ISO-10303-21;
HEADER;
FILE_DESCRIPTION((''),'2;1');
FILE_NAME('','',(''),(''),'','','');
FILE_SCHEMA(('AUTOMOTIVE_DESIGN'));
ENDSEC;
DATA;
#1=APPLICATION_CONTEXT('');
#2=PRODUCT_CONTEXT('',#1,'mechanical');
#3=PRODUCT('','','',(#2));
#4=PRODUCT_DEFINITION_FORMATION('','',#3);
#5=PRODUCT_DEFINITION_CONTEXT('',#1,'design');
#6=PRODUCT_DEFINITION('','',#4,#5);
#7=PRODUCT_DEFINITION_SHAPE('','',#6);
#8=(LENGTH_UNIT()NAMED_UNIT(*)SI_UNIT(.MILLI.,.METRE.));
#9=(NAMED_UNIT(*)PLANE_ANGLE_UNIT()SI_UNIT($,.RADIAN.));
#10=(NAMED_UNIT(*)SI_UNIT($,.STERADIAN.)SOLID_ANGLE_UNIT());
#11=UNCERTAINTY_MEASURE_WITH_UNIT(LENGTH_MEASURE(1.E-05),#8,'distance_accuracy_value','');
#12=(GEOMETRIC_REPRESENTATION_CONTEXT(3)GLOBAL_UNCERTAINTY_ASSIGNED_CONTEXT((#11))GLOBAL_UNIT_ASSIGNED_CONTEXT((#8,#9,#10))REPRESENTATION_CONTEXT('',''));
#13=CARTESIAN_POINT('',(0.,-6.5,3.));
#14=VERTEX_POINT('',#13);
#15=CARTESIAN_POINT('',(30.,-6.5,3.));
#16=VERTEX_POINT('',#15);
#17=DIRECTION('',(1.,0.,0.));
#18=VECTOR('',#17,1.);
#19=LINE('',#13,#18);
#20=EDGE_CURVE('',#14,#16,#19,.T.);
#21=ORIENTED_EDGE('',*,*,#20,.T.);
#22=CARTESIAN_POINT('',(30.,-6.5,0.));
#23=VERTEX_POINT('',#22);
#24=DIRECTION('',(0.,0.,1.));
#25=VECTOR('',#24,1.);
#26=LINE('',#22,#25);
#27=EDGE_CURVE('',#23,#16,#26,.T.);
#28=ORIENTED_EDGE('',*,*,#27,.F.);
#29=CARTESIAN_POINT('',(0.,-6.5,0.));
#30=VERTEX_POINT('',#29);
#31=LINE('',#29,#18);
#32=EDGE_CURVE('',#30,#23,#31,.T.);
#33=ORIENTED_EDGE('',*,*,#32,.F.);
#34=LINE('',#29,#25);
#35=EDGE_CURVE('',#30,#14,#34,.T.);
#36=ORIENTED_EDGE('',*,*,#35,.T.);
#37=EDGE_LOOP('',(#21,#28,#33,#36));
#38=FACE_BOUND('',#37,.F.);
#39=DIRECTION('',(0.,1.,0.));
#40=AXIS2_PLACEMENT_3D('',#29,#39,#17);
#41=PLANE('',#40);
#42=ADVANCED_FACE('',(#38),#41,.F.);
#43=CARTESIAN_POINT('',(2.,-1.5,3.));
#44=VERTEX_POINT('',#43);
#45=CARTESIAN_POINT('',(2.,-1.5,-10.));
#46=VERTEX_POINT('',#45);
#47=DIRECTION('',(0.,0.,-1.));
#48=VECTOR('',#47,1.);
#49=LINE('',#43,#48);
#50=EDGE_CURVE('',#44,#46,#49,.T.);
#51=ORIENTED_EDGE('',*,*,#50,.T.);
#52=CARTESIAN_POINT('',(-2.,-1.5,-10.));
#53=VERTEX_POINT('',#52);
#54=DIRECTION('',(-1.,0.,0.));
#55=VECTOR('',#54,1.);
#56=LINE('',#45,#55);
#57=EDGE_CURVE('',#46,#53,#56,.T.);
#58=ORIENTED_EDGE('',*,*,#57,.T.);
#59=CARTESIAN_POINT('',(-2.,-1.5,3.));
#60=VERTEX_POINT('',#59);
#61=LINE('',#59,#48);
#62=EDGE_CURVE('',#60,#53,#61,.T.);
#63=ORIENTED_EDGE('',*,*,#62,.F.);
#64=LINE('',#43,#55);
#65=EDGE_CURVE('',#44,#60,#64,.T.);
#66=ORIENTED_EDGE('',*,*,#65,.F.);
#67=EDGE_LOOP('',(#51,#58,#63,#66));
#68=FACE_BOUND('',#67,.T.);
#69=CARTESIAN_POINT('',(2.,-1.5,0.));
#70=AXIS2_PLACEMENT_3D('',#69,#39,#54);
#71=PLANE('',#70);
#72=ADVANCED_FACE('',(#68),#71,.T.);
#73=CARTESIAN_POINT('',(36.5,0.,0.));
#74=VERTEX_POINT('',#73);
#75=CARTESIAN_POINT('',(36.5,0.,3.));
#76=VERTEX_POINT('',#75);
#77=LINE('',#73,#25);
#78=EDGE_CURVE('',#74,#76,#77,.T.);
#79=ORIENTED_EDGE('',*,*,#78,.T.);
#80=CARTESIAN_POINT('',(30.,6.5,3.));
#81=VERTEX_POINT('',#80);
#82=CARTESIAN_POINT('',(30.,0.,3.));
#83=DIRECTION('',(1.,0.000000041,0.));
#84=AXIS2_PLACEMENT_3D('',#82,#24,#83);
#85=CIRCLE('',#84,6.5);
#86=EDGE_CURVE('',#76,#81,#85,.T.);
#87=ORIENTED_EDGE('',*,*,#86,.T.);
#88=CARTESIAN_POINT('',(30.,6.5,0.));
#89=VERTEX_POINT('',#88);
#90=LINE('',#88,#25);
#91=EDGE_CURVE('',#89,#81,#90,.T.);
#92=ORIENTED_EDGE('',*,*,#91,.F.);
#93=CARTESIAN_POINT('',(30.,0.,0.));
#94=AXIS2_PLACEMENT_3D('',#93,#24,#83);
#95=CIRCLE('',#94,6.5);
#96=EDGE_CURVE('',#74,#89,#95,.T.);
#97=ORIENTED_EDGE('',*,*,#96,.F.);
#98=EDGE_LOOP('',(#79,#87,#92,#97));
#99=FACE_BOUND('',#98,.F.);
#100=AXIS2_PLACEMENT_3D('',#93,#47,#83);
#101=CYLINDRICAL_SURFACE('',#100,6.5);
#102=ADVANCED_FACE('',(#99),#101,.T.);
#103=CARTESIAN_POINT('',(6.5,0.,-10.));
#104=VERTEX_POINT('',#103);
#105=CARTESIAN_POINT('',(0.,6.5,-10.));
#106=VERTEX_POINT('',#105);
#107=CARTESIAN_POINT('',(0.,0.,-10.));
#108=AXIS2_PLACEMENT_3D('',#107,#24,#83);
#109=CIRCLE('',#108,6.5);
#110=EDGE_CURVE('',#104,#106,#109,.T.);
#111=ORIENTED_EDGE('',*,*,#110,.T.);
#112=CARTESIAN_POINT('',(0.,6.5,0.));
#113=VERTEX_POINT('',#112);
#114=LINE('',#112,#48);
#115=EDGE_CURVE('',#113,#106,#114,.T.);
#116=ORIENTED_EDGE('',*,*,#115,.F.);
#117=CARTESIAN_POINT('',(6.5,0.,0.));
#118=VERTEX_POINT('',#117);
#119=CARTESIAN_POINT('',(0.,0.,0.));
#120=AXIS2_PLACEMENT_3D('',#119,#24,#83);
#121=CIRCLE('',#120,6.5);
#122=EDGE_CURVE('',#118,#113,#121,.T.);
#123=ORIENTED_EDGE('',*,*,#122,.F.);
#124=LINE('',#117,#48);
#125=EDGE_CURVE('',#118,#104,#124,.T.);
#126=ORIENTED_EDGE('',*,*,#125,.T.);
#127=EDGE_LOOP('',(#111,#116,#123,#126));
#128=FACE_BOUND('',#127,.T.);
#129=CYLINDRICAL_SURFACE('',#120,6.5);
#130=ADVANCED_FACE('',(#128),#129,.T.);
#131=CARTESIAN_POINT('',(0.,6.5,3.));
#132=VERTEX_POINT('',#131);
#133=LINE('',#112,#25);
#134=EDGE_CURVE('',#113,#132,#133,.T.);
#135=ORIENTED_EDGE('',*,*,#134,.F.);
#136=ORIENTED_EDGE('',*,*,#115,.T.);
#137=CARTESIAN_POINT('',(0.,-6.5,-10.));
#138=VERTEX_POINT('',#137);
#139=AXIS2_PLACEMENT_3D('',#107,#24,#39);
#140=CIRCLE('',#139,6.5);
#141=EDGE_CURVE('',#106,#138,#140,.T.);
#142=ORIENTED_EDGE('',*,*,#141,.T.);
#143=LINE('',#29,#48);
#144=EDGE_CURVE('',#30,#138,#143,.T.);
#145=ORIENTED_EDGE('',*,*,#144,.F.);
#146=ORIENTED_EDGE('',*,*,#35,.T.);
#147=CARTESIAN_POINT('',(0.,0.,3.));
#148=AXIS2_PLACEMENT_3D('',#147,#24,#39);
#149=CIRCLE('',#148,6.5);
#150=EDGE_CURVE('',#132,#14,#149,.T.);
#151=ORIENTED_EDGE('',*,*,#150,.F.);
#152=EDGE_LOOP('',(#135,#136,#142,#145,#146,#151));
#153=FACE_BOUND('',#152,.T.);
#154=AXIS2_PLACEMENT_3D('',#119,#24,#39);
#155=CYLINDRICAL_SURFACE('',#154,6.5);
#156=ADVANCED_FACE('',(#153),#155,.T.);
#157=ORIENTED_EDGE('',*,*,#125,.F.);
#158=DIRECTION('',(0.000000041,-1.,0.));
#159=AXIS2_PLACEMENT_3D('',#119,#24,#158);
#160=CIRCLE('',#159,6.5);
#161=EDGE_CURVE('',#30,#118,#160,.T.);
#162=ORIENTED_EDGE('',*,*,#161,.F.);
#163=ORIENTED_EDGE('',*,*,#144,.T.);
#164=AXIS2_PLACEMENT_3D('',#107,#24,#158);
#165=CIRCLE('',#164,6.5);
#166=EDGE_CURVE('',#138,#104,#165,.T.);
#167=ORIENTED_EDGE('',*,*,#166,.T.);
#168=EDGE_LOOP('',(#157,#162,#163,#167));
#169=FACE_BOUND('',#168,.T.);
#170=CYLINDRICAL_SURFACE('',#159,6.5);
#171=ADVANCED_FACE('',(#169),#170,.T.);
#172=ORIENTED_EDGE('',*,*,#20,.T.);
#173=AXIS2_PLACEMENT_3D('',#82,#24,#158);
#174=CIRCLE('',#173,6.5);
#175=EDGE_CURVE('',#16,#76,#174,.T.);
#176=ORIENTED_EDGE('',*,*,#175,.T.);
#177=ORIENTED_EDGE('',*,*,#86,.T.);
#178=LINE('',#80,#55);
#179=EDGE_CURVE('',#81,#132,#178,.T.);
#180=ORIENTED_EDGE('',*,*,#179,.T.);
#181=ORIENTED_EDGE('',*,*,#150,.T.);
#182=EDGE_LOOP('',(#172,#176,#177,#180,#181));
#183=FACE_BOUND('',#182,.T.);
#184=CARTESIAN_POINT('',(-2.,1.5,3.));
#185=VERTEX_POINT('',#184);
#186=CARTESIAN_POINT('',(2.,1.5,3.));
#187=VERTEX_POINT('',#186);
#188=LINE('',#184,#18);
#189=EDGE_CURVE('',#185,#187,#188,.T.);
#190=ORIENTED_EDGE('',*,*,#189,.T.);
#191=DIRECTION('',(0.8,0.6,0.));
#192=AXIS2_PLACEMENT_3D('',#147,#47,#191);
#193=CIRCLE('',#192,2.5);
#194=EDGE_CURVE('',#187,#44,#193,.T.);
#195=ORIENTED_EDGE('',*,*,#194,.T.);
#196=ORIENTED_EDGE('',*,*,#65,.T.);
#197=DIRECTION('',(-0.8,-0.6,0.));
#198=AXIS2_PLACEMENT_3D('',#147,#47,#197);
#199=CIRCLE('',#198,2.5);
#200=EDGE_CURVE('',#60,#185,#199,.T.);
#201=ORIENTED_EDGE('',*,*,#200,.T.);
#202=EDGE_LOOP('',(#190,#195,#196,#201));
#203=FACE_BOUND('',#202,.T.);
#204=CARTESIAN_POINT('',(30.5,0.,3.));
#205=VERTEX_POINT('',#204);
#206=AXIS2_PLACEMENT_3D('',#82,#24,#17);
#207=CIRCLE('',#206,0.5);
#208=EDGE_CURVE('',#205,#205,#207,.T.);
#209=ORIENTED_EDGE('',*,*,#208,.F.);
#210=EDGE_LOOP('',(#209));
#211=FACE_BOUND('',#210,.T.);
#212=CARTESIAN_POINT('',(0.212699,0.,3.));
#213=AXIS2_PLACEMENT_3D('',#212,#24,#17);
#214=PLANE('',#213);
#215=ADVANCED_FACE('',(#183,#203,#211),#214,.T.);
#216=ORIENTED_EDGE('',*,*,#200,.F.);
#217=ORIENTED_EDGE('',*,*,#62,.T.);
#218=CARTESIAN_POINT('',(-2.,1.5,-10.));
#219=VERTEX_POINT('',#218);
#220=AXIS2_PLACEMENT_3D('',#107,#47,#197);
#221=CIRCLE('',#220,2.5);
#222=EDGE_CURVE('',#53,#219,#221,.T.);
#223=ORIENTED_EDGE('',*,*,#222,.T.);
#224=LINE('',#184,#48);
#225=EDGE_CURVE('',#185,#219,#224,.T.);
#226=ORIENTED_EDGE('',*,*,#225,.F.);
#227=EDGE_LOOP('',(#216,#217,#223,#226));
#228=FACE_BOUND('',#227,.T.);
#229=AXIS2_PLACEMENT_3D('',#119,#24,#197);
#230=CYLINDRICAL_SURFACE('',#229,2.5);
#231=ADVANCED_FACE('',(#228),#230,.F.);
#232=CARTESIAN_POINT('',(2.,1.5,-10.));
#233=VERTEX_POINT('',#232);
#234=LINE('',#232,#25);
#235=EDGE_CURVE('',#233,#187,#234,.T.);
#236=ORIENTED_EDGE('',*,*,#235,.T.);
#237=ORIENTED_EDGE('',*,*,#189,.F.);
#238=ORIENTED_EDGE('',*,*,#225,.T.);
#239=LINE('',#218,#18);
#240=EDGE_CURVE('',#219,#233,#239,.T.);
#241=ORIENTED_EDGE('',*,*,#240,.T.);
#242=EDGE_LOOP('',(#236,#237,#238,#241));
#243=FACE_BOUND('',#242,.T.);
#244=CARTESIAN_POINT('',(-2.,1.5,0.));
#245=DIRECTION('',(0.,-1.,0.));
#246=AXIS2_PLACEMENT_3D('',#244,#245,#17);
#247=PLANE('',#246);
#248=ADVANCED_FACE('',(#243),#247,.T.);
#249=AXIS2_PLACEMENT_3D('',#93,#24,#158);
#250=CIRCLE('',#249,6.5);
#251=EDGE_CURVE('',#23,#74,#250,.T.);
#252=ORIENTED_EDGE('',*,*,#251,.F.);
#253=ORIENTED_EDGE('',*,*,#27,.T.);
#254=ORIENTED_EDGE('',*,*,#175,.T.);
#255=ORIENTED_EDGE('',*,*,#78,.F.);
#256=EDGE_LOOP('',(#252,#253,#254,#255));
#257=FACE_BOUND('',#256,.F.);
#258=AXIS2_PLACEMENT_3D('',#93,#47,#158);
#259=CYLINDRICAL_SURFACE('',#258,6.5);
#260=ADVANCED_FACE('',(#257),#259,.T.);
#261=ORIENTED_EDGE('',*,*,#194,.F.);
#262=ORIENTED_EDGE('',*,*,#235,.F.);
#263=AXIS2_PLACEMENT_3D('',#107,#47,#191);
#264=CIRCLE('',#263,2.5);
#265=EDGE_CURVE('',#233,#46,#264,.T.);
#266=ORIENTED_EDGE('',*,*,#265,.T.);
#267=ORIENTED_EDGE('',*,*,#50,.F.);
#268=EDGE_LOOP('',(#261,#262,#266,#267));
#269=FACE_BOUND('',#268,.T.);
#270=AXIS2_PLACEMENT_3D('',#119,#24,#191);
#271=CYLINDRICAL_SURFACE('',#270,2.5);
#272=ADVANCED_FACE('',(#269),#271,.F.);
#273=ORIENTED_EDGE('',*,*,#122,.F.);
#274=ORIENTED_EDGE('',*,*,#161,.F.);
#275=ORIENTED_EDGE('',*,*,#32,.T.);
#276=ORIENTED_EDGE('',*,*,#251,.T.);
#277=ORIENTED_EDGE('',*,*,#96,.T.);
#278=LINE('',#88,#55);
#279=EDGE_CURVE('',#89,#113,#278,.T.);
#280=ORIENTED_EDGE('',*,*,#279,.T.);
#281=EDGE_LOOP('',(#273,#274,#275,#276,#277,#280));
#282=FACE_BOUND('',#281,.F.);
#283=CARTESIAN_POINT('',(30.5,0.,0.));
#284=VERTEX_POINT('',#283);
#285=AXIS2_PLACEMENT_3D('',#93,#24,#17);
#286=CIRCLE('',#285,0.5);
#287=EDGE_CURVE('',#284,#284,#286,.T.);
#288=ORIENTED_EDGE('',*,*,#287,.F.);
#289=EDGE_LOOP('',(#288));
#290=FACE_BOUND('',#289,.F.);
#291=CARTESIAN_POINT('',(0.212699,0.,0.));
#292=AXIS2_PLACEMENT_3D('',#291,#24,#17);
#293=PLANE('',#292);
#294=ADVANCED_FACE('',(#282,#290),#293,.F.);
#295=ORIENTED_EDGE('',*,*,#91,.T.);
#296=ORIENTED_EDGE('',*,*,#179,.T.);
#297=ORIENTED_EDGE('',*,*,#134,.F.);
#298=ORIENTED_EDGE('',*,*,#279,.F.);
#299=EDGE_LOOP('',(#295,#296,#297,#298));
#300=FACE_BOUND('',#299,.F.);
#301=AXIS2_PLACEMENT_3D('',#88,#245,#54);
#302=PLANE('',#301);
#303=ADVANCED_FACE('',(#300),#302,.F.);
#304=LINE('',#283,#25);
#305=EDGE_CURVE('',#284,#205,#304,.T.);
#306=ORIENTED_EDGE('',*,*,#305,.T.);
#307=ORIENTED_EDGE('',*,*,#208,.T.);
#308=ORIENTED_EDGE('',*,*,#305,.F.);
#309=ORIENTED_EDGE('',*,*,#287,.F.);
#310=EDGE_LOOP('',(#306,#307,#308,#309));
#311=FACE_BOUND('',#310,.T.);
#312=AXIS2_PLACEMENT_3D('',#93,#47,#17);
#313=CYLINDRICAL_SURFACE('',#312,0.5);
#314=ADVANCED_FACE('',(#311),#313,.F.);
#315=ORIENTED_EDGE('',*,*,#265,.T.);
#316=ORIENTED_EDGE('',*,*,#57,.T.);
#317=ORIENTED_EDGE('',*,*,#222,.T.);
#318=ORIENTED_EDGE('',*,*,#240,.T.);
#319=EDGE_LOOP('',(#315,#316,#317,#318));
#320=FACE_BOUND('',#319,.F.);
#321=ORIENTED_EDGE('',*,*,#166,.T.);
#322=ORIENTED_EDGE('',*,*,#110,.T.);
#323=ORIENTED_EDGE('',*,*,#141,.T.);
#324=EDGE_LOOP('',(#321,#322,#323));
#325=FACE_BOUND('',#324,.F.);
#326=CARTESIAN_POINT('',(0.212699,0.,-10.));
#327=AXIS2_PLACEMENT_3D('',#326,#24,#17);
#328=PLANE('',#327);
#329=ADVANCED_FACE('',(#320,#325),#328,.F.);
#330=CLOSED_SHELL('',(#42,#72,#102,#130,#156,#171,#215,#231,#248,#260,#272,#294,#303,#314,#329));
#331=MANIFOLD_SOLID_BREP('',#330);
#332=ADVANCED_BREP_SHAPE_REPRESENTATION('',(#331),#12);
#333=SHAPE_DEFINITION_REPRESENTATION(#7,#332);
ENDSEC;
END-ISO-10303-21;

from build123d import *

# Parameters (mm, degrees)
F0_R     = 0.5
F1_DEPTH = 3
F2_DEPTH = 10


with BuildPart() as f1:
    # F0 (on Top) → F1 (new body)
    with BuildSketch(Plane.XY):
        with BuildLine():
            ThreePointArc((0, -6.5), (4.596194, -4.596194), (6.5, 0))
            ThreePointArc((6.5, 0), (4.596194, 4.596194), (0, 6.5))
            ThreePointArc((0, 6.5), (-6.5, 0), (0, -6.5))
        make_face()
        with BuildLine():
            ThreePointArc((2, 1.5), (2.5, 0), (2, -1.5))
            Line((2, -1.5), (-2, -1.5))
            ThreePointArc((-2, -1.5), (-2.5, 0), (-2, 1.5))
            Line((-2, 1.5), (2, 1.5))
        make_face(mode=Mode.SUBTRACT)
        with BuildLine():
            ThreePointArc((0, 6.5), (4.596194, 4.596194), (6.5, 0))
            ThreePointArc((6.5, 0), (4.596194, -4.596194), (0, -6.5))
            Line((0, -6.5), (30, -6.5))
            ThreePointArc((30, -6.5), (23.5, 0), (30, 6.5))
            Line((30, 6.5), (0, 6.5))
        make_face()
        with BuildLine():
            ThreePointArc((36.5, 0), (34.596194, 4.596194), (30, 6.5))
            ThreePointArc((30, 6.5), (23.5, 0), (30, -6.5))
            ThreePointArc((30, -6.5), (34.596194, -4.596194), (36.5, 0))
        make_face()
        with Locations((30, 0)):
            Circle(F0_R, mode=Mode.SUBTRACT)
    extrude(amount=F1_DEPTH)

    # F0 (on Top) → F2 (join)
    with BuildSketch(Plane.XY):
        with BuildLine():
            ThreePointArc((0, -6.5), (4.596194, -4.596194), (6.5, 0))
            ThreePointArc((6.5, 0), (4.596194, 4.596194), (0, 6.5))
            ThreePointArc((0, 6.5), (-6.5, 0), (0, -6.5))
        make_face()
        with BuildLine():
            ThreePointArc((2, 1.5), (2.5, 0), (2, -1.5))
            Line((2, -1.5), (-2, -1.5))
            ThreePointArc((-2, -1.5), (-2.5, 0), (-2, 1.5))
            Line((-2, 1.5), (2, 1.5))
        make_face(mode=Mode.SUBTRACT)
    extrude(amount=-F2_DEPTH)


solid = f1.part
